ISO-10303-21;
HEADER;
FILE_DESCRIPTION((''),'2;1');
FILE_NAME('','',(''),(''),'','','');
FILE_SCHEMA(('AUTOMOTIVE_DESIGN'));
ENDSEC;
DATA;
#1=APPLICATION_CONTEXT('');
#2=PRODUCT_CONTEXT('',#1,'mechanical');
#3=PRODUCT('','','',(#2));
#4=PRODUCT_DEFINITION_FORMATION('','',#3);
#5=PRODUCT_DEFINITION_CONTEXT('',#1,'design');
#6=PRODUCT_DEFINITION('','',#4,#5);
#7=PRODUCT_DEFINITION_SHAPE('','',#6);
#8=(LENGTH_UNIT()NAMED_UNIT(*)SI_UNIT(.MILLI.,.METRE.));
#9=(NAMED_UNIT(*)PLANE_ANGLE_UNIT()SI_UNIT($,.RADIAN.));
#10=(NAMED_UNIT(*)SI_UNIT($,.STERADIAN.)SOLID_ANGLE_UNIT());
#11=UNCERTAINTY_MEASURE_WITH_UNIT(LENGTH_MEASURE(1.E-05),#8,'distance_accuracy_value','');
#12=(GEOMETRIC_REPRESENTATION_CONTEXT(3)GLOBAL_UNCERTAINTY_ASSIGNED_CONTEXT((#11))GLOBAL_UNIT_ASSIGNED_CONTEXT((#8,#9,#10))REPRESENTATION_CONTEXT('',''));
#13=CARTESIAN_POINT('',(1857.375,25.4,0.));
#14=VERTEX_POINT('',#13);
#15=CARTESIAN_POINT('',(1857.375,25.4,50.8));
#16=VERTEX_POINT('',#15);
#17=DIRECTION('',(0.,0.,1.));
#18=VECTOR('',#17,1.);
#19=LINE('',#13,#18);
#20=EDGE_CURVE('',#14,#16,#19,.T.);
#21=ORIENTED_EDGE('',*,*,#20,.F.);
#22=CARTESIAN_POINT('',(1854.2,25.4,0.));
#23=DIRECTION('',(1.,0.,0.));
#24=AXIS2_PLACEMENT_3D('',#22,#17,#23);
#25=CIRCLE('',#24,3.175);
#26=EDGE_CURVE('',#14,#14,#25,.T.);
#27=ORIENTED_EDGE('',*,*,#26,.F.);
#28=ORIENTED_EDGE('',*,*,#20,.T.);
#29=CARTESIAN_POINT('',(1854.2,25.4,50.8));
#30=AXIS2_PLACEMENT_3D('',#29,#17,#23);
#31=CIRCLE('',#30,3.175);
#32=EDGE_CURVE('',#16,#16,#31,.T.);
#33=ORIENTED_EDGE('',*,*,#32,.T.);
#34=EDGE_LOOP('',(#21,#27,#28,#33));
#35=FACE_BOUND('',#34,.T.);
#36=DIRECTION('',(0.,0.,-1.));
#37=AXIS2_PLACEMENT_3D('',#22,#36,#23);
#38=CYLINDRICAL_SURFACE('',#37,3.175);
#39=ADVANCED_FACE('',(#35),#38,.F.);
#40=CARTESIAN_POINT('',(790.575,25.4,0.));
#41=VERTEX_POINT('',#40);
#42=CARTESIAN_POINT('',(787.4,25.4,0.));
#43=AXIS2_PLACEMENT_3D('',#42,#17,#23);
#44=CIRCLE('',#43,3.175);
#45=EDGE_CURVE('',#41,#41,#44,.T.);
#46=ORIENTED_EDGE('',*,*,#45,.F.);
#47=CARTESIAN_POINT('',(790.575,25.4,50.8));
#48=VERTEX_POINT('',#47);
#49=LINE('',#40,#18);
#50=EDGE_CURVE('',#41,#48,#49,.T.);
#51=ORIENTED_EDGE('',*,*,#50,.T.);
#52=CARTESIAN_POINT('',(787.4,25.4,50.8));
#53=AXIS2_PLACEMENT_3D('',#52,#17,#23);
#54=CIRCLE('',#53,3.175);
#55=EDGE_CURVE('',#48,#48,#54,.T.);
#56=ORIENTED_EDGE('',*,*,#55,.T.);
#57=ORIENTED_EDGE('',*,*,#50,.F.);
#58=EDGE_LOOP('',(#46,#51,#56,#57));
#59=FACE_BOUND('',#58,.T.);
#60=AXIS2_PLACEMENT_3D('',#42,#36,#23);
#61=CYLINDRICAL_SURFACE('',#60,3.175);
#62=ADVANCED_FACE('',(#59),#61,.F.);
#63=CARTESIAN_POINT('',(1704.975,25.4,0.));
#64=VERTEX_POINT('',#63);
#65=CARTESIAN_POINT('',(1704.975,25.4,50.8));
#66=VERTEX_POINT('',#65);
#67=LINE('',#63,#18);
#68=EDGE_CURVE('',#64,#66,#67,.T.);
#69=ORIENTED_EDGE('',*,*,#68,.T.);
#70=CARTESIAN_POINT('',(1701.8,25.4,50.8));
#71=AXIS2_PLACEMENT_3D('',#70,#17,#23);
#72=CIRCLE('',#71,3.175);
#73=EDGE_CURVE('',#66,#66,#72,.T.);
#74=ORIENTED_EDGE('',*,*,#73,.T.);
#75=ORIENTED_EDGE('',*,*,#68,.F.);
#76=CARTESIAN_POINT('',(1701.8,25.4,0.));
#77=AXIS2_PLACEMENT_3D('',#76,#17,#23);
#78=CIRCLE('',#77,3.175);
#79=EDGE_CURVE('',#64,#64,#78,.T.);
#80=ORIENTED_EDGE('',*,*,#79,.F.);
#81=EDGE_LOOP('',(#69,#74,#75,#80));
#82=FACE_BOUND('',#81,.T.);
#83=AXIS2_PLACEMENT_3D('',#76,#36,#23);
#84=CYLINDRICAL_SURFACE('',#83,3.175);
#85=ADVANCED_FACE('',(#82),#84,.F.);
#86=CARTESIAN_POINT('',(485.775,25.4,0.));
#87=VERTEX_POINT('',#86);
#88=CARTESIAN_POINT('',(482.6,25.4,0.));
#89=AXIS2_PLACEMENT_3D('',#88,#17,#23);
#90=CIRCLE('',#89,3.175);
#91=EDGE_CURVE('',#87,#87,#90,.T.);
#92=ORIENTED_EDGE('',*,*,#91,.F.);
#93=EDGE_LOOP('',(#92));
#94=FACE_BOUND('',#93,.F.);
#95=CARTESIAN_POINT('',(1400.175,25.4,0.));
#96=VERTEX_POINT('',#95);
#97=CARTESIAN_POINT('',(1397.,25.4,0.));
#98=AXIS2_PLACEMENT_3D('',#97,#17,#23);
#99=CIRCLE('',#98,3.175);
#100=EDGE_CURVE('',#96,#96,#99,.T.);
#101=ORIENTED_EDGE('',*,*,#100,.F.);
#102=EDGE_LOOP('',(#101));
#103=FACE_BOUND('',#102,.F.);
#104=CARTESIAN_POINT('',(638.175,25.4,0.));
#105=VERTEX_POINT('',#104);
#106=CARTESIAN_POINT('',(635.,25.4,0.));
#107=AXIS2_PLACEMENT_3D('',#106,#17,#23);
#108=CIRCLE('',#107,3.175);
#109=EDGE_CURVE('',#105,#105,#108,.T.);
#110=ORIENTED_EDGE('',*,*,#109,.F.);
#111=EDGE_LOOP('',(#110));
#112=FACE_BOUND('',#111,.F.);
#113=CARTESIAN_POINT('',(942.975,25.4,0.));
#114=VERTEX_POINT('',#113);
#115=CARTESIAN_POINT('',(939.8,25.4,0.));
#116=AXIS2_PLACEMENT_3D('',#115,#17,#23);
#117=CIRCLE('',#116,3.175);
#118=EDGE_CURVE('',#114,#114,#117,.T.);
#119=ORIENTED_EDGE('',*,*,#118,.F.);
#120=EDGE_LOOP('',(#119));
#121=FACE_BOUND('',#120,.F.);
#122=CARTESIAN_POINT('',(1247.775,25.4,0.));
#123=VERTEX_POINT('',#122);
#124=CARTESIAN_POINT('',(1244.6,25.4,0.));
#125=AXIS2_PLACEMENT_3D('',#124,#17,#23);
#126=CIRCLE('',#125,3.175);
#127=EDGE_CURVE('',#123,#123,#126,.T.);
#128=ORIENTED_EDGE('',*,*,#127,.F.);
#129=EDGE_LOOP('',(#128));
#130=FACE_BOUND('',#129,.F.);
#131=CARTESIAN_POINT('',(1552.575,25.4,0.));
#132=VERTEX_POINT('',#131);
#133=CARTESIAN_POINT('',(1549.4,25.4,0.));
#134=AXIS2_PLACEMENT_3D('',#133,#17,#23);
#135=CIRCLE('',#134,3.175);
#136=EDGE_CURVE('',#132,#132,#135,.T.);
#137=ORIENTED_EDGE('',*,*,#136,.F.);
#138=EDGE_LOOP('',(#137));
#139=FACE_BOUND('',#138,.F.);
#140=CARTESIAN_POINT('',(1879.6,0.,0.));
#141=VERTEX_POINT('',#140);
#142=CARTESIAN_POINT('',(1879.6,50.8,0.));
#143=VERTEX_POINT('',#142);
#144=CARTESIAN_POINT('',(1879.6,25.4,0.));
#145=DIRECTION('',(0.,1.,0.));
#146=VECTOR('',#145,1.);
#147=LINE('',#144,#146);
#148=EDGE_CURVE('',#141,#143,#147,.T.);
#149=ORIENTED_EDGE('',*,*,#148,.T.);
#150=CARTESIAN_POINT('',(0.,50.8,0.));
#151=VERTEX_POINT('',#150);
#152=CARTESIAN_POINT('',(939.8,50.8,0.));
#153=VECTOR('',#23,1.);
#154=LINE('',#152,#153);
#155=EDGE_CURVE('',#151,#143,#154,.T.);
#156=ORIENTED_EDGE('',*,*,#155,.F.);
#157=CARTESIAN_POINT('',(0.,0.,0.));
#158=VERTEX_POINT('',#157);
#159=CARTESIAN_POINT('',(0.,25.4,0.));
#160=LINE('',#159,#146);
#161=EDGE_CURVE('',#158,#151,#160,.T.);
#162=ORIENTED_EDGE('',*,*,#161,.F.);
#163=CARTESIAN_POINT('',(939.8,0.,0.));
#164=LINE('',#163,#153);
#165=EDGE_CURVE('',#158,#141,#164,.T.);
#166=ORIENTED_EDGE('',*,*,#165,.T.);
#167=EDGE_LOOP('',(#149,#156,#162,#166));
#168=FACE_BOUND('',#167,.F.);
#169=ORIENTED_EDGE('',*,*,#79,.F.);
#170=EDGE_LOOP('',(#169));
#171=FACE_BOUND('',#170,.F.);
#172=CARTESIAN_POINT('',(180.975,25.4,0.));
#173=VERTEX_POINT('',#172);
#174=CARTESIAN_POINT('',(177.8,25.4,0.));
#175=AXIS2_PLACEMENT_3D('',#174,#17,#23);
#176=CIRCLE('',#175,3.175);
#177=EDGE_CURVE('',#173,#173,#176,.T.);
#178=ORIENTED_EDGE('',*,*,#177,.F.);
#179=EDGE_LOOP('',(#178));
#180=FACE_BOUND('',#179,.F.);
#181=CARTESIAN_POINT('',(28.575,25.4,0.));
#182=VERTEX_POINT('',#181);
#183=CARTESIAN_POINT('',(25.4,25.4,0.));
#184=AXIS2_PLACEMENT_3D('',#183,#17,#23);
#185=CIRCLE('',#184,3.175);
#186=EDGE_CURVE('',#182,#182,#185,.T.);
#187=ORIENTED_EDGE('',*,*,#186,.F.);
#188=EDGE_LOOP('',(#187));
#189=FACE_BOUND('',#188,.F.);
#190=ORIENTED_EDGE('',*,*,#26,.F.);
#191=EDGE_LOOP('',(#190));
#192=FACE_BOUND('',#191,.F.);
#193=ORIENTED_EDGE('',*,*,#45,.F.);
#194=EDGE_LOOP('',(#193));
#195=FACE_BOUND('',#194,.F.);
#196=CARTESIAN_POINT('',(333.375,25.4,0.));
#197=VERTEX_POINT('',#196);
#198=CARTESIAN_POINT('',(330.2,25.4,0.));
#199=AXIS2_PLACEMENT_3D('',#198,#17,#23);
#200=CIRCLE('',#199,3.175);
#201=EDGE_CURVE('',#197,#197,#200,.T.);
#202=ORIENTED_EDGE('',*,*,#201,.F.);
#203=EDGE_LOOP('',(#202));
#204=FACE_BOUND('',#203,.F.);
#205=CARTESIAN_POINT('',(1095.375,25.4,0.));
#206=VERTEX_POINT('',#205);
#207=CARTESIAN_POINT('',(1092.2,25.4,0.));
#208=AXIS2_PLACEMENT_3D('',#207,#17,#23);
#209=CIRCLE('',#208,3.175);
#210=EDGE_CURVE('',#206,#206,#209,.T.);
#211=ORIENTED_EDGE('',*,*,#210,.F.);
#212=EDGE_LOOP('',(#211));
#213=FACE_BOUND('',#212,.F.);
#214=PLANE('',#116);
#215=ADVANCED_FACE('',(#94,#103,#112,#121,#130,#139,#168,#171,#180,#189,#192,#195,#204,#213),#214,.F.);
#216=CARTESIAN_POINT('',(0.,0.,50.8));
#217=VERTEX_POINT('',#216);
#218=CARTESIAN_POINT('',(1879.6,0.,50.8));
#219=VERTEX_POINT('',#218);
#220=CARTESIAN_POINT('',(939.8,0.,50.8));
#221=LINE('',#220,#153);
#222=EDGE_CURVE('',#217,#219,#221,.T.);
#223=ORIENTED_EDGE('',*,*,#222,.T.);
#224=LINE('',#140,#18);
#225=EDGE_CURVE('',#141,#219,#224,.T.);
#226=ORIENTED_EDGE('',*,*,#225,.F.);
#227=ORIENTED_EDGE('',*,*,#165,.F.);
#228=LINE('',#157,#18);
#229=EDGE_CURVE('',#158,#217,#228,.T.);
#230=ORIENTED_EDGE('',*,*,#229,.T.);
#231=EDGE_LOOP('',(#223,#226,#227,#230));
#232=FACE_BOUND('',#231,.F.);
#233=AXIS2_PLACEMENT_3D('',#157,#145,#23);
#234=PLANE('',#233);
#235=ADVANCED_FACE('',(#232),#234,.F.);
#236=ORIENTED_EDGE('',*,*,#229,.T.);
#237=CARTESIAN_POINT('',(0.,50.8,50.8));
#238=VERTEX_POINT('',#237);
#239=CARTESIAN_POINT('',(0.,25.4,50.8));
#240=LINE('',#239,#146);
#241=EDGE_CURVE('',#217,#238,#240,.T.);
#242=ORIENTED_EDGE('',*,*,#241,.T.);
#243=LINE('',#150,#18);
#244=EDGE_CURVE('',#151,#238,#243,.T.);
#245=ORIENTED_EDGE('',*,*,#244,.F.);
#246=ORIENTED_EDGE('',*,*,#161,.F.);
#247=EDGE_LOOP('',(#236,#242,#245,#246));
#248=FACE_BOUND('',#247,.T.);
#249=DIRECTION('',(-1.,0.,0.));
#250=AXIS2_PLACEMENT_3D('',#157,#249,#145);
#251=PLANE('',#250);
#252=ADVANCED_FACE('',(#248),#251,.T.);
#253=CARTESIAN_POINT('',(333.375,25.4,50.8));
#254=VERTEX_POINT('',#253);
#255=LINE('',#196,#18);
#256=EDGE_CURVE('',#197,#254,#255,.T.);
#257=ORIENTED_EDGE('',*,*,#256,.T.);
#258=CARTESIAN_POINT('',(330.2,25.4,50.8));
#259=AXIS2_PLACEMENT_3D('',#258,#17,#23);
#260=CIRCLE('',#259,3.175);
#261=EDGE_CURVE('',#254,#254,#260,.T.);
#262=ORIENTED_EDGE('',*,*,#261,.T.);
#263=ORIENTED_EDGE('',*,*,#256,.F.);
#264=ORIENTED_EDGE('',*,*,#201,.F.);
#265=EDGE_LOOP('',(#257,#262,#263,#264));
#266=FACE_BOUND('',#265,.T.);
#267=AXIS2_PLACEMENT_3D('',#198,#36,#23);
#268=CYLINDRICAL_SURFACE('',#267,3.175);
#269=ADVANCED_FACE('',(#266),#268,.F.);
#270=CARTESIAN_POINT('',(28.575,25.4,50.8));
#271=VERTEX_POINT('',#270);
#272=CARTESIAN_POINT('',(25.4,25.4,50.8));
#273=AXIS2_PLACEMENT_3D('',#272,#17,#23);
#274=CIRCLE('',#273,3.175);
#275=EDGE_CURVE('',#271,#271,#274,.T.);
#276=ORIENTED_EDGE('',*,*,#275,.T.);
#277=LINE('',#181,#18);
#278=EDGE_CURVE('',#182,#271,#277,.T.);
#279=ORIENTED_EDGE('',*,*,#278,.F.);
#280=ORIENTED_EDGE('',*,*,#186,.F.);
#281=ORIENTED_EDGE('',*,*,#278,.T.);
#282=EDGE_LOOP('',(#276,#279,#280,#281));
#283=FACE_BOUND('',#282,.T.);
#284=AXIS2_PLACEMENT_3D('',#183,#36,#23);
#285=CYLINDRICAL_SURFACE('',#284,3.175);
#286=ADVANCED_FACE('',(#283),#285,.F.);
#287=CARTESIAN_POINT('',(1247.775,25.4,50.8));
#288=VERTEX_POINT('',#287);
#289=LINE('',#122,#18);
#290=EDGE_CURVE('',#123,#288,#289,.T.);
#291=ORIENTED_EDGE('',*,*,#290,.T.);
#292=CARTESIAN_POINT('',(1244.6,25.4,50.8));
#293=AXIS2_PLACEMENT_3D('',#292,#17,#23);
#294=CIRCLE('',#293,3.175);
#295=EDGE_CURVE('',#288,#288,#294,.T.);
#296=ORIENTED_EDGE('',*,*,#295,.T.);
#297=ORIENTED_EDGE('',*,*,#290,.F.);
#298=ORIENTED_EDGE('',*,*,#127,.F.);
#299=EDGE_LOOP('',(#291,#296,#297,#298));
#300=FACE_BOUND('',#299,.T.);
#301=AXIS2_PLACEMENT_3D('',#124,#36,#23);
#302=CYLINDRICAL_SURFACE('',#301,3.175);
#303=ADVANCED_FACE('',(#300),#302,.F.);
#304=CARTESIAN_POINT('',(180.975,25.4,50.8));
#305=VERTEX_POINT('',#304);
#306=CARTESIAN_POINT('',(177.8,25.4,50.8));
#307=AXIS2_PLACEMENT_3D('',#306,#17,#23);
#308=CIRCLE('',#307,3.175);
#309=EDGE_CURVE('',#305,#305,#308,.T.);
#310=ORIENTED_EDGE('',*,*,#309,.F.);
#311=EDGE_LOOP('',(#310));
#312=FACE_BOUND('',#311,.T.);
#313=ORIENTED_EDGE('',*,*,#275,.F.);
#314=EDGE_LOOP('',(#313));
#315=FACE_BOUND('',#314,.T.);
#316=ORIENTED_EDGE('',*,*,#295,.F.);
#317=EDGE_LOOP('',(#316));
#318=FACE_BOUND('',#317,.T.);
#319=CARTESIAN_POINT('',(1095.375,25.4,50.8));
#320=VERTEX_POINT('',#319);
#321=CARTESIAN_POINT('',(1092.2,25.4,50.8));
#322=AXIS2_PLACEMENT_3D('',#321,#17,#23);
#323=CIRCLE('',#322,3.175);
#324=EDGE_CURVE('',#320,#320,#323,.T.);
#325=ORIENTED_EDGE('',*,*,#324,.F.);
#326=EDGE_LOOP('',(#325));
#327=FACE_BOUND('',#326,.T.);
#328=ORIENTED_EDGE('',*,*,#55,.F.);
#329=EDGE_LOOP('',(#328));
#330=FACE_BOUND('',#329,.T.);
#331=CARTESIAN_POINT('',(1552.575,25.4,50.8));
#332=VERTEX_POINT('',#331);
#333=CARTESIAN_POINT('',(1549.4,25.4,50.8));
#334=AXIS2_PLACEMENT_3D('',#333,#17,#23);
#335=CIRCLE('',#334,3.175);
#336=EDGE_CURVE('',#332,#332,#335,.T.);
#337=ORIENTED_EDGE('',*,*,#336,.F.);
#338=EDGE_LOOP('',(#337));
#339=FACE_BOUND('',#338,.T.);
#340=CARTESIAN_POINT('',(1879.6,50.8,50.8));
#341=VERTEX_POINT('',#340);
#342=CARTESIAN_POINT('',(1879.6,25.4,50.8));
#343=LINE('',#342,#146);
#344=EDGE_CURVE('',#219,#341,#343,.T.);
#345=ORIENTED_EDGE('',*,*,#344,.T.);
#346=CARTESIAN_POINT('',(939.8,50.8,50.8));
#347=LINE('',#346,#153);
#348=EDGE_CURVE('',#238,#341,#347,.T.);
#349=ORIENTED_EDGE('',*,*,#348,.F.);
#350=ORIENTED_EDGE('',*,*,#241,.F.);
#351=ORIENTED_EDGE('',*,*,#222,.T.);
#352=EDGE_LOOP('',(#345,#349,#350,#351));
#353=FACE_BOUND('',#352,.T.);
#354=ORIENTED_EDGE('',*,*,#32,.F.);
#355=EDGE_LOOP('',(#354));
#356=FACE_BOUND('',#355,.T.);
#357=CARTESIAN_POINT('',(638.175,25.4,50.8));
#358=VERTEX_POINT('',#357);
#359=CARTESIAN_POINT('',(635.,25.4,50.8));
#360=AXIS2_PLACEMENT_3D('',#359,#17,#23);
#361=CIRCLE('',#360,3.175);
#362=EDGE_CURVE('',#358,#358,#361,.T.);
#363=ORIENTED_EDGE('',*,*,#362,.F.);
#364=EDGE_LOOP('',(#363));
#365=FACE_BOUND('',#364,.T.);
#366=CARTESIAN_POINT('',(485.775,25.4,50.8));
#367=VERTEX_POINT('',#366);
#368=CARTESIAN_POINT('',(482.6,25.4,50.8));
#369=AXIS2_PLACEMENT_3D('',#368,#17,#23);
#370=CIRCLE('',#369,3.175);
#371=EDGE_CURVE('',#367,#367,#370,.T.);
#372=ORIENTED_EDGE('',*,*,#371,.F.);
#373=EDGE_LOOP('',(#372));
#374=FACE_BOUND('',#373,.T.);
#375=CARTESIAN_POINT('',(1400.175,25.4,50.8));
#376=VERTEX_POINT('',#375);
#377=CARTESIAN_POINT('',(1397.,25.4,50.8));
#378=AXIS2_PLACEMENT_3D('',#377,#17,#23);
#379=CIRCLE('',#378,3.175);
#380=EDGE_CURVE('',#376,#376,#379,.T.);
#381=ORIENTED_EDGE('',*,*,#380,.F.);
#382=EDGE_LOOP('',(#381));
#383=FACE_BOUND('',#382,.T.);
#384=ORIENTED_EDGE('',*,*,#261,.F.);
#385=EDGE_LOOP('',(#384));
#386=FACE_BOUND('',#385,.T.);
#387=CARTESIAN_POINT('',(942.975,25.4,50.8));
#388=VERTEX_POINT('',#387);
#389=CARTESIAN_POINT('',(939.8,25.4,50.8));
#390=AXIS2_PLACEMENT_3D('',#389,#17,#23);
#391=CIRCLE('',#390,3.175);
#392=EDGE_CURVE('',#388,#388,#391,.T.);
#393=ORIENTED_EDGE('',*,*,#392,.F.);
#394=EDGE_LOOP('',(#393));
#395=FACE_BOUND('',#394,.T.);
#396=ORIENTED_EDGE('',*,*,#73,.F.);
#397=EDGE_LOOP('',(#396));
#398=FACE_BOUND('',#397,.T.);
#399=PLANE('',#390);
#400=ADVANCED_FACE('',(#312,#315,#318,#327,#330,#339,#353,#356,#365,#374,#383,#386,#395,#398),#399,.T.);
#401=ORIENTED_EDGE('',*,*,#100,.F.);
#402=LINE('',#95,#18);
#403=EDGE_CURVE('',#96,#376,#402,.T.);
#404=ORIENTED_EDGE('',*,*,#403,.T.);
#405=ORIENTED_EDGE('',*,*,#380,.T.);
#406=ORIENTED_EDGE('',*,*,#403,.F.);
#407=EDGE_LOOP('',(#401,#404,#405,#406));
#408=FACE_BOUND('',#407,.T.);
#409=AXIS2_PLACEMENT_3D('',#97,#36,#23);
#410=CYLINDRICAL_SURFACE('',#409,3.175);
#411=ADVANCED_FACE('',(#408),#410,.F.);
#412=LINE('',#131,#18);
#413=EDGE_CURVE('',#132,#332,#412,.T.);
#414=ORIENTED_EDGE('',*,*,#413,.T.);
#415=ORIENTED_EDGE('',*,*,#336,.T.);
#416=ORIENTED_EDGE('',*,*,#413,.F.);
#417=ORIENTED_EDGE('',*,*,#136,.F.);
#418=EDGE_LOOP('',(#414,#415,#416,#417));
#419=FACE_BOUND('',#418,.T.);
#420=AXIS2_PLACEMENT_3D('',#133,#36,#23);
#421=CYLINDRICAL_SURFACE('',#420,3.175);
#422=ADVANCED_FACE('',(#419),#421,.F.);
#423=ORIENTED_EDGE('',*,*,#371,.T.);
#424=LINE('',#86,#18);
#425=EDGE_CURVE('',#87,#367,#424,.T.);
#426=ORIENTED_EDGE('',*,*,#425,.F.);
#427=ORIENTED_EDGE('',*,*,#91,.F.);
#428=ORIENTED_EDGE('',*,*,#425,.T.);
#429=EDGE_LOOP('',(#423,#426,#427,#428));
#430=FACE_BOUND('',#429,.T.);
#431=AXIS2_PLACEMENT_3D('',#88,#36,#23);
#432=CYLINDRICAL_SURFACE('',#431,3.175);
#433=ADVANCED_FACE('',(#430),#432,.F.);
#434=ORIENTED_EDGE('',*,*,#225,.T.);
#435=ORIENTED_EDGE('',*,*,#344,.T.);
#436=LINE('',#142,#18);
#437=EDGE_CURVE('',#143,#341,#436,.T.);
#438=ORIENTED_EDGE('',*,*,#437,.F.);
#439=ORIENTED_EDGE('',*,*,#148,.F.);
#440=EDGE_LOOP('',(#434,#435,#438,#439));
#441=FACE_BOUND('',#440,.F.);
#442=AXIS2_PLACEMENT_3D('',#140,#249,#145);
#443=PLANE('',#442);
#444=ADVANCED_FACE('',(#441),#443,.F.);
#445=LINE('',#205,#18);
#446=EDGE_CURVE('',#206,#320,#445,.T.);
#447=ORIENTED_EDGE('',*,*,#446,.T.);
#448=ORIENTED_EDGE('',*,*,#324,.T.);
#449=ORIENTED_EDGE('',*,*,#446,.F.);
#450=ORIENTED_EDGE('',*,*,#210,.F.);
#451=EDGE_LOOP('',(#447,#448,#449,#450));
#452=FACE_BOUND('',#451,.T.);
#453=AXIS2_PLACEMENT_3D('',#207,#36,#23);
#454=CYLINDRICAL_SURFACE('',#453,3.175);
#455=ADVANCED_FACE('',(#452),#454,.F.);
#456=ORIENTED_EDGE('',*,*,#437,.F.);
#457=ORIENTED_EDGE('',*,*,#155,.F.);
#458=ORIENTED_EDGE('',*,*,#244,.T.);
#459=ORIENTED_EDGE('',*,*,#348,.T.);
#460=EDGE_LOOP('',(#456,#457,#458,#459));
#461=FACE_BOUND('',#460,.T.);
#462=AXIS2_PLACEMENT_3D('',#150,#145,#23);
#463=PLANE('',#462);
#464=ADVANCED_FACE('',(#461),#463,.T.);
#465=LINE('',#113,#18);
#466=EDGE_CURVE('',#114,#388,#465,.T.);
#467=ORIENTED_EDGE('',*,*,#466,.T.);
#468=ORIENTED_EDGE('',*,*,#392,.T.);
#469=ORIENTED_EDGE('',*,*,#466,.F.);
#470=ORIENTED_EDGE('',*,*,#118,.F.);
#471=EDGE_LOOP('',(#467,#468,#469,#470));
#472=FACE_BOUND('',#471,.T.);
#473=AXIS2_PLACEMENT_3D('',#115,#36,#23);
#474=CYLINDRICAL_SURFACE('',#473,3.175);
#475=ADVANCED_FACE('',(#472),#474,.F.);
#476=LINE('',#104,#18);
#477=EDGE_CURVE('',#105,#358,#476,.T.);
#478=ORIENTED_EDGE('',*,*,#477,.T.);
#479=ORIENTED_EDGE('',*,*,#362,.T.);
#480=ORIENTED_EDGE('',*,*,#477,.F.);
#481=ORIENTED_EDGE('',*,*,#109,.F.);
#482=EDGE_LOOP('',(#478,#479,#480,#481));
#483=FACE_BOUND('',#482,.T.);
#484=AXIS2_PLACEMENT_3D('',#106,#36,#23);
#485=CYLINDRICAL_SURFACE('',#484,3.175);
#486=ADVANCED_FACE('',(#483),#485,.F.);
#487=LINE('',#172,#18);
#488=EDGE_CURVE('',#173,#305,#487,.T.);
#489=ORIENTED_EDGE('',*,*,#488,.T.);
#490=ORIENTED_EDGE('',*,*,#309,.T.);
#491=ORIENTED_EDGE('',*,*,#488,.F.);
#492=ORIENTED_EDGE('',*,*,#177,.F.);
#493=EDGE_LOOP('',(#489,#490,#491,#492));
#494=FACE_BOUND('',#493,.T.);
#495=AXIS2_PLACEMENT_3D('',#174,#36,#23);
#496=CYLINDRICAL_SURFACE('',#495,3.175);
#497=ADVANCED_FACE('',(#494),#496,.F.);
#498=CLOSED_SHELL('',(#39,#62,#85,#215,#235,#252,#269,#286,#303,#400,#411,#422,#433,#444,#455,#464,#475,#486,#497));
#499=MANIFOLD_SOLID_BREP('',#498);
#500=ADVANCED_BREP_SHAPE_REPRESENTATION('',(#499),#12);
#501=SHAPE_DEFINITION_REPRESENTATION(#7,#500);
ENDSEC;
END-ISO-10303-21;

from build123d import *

# Parameters (mm, degrees)
F0_W     = 1879.6
F0_H     = 50.8
F0_R     = 3.175
F1_DEPTH = 50.8


with BuildPart() as f1:
    # F0 (on Top) → F1 (new body)
    with BuildSketch(Plane.XY):
        with Locations((939.8, 25.4)):
            Rectangle(F0_W, F0_H)
        with Locations((25.4, 25.4)):
            Circle(F0_R, mode=Mode.SUBTRACT)
        with Locations((177.8, 25.4)):
            Circle(F0_R, mode=Mode.SUBTRACT)
        with Locations((330.2, 25.4)):
            Circle(F0_R, mode=Mode.SUBTRACT)
        with Locations((482.6, 25.4)):
            Circle(F0_R, mode=Mode.SUBTRACT)
        with Locations((635, 25.4)):
            Circle(F0_R, mode=Mode.SUBTRACT)
        with Locations((787.4, 25.4)):
            Circle(F0_R, mode=Mode.SUBTRACT)
        with Locations((939.8, 25.4)):
            Circle(F0_R, mode=Mode.SUBTRACT)
        with Locations((1092.2, 25.4)):
            Circle(F0_R, mode=Mode.SUBTRACT)
        with Locations((1244.6, 25.4)):
            Circle(F0_R, mode=Mode.SUBTRACT)
        with Locations((1397, 25.4)):
            Circle(F0_R, mode=Mode.SUBTRACT)
        with Locations((1549.4, 25.4)):
            Circle(F0_R, mode=Mode.SUBTRACT)
        with Locations((1701.8, 25.4)):
            Circle(F0_R, mode=Mode.SUBTRACT)
        with Locations((1854.2, 25.4)):
            Circle(F0_R, mode=Mode.SUBTRACT)
    extrude(amount=F1_DEPTH)


solid = f1.part
